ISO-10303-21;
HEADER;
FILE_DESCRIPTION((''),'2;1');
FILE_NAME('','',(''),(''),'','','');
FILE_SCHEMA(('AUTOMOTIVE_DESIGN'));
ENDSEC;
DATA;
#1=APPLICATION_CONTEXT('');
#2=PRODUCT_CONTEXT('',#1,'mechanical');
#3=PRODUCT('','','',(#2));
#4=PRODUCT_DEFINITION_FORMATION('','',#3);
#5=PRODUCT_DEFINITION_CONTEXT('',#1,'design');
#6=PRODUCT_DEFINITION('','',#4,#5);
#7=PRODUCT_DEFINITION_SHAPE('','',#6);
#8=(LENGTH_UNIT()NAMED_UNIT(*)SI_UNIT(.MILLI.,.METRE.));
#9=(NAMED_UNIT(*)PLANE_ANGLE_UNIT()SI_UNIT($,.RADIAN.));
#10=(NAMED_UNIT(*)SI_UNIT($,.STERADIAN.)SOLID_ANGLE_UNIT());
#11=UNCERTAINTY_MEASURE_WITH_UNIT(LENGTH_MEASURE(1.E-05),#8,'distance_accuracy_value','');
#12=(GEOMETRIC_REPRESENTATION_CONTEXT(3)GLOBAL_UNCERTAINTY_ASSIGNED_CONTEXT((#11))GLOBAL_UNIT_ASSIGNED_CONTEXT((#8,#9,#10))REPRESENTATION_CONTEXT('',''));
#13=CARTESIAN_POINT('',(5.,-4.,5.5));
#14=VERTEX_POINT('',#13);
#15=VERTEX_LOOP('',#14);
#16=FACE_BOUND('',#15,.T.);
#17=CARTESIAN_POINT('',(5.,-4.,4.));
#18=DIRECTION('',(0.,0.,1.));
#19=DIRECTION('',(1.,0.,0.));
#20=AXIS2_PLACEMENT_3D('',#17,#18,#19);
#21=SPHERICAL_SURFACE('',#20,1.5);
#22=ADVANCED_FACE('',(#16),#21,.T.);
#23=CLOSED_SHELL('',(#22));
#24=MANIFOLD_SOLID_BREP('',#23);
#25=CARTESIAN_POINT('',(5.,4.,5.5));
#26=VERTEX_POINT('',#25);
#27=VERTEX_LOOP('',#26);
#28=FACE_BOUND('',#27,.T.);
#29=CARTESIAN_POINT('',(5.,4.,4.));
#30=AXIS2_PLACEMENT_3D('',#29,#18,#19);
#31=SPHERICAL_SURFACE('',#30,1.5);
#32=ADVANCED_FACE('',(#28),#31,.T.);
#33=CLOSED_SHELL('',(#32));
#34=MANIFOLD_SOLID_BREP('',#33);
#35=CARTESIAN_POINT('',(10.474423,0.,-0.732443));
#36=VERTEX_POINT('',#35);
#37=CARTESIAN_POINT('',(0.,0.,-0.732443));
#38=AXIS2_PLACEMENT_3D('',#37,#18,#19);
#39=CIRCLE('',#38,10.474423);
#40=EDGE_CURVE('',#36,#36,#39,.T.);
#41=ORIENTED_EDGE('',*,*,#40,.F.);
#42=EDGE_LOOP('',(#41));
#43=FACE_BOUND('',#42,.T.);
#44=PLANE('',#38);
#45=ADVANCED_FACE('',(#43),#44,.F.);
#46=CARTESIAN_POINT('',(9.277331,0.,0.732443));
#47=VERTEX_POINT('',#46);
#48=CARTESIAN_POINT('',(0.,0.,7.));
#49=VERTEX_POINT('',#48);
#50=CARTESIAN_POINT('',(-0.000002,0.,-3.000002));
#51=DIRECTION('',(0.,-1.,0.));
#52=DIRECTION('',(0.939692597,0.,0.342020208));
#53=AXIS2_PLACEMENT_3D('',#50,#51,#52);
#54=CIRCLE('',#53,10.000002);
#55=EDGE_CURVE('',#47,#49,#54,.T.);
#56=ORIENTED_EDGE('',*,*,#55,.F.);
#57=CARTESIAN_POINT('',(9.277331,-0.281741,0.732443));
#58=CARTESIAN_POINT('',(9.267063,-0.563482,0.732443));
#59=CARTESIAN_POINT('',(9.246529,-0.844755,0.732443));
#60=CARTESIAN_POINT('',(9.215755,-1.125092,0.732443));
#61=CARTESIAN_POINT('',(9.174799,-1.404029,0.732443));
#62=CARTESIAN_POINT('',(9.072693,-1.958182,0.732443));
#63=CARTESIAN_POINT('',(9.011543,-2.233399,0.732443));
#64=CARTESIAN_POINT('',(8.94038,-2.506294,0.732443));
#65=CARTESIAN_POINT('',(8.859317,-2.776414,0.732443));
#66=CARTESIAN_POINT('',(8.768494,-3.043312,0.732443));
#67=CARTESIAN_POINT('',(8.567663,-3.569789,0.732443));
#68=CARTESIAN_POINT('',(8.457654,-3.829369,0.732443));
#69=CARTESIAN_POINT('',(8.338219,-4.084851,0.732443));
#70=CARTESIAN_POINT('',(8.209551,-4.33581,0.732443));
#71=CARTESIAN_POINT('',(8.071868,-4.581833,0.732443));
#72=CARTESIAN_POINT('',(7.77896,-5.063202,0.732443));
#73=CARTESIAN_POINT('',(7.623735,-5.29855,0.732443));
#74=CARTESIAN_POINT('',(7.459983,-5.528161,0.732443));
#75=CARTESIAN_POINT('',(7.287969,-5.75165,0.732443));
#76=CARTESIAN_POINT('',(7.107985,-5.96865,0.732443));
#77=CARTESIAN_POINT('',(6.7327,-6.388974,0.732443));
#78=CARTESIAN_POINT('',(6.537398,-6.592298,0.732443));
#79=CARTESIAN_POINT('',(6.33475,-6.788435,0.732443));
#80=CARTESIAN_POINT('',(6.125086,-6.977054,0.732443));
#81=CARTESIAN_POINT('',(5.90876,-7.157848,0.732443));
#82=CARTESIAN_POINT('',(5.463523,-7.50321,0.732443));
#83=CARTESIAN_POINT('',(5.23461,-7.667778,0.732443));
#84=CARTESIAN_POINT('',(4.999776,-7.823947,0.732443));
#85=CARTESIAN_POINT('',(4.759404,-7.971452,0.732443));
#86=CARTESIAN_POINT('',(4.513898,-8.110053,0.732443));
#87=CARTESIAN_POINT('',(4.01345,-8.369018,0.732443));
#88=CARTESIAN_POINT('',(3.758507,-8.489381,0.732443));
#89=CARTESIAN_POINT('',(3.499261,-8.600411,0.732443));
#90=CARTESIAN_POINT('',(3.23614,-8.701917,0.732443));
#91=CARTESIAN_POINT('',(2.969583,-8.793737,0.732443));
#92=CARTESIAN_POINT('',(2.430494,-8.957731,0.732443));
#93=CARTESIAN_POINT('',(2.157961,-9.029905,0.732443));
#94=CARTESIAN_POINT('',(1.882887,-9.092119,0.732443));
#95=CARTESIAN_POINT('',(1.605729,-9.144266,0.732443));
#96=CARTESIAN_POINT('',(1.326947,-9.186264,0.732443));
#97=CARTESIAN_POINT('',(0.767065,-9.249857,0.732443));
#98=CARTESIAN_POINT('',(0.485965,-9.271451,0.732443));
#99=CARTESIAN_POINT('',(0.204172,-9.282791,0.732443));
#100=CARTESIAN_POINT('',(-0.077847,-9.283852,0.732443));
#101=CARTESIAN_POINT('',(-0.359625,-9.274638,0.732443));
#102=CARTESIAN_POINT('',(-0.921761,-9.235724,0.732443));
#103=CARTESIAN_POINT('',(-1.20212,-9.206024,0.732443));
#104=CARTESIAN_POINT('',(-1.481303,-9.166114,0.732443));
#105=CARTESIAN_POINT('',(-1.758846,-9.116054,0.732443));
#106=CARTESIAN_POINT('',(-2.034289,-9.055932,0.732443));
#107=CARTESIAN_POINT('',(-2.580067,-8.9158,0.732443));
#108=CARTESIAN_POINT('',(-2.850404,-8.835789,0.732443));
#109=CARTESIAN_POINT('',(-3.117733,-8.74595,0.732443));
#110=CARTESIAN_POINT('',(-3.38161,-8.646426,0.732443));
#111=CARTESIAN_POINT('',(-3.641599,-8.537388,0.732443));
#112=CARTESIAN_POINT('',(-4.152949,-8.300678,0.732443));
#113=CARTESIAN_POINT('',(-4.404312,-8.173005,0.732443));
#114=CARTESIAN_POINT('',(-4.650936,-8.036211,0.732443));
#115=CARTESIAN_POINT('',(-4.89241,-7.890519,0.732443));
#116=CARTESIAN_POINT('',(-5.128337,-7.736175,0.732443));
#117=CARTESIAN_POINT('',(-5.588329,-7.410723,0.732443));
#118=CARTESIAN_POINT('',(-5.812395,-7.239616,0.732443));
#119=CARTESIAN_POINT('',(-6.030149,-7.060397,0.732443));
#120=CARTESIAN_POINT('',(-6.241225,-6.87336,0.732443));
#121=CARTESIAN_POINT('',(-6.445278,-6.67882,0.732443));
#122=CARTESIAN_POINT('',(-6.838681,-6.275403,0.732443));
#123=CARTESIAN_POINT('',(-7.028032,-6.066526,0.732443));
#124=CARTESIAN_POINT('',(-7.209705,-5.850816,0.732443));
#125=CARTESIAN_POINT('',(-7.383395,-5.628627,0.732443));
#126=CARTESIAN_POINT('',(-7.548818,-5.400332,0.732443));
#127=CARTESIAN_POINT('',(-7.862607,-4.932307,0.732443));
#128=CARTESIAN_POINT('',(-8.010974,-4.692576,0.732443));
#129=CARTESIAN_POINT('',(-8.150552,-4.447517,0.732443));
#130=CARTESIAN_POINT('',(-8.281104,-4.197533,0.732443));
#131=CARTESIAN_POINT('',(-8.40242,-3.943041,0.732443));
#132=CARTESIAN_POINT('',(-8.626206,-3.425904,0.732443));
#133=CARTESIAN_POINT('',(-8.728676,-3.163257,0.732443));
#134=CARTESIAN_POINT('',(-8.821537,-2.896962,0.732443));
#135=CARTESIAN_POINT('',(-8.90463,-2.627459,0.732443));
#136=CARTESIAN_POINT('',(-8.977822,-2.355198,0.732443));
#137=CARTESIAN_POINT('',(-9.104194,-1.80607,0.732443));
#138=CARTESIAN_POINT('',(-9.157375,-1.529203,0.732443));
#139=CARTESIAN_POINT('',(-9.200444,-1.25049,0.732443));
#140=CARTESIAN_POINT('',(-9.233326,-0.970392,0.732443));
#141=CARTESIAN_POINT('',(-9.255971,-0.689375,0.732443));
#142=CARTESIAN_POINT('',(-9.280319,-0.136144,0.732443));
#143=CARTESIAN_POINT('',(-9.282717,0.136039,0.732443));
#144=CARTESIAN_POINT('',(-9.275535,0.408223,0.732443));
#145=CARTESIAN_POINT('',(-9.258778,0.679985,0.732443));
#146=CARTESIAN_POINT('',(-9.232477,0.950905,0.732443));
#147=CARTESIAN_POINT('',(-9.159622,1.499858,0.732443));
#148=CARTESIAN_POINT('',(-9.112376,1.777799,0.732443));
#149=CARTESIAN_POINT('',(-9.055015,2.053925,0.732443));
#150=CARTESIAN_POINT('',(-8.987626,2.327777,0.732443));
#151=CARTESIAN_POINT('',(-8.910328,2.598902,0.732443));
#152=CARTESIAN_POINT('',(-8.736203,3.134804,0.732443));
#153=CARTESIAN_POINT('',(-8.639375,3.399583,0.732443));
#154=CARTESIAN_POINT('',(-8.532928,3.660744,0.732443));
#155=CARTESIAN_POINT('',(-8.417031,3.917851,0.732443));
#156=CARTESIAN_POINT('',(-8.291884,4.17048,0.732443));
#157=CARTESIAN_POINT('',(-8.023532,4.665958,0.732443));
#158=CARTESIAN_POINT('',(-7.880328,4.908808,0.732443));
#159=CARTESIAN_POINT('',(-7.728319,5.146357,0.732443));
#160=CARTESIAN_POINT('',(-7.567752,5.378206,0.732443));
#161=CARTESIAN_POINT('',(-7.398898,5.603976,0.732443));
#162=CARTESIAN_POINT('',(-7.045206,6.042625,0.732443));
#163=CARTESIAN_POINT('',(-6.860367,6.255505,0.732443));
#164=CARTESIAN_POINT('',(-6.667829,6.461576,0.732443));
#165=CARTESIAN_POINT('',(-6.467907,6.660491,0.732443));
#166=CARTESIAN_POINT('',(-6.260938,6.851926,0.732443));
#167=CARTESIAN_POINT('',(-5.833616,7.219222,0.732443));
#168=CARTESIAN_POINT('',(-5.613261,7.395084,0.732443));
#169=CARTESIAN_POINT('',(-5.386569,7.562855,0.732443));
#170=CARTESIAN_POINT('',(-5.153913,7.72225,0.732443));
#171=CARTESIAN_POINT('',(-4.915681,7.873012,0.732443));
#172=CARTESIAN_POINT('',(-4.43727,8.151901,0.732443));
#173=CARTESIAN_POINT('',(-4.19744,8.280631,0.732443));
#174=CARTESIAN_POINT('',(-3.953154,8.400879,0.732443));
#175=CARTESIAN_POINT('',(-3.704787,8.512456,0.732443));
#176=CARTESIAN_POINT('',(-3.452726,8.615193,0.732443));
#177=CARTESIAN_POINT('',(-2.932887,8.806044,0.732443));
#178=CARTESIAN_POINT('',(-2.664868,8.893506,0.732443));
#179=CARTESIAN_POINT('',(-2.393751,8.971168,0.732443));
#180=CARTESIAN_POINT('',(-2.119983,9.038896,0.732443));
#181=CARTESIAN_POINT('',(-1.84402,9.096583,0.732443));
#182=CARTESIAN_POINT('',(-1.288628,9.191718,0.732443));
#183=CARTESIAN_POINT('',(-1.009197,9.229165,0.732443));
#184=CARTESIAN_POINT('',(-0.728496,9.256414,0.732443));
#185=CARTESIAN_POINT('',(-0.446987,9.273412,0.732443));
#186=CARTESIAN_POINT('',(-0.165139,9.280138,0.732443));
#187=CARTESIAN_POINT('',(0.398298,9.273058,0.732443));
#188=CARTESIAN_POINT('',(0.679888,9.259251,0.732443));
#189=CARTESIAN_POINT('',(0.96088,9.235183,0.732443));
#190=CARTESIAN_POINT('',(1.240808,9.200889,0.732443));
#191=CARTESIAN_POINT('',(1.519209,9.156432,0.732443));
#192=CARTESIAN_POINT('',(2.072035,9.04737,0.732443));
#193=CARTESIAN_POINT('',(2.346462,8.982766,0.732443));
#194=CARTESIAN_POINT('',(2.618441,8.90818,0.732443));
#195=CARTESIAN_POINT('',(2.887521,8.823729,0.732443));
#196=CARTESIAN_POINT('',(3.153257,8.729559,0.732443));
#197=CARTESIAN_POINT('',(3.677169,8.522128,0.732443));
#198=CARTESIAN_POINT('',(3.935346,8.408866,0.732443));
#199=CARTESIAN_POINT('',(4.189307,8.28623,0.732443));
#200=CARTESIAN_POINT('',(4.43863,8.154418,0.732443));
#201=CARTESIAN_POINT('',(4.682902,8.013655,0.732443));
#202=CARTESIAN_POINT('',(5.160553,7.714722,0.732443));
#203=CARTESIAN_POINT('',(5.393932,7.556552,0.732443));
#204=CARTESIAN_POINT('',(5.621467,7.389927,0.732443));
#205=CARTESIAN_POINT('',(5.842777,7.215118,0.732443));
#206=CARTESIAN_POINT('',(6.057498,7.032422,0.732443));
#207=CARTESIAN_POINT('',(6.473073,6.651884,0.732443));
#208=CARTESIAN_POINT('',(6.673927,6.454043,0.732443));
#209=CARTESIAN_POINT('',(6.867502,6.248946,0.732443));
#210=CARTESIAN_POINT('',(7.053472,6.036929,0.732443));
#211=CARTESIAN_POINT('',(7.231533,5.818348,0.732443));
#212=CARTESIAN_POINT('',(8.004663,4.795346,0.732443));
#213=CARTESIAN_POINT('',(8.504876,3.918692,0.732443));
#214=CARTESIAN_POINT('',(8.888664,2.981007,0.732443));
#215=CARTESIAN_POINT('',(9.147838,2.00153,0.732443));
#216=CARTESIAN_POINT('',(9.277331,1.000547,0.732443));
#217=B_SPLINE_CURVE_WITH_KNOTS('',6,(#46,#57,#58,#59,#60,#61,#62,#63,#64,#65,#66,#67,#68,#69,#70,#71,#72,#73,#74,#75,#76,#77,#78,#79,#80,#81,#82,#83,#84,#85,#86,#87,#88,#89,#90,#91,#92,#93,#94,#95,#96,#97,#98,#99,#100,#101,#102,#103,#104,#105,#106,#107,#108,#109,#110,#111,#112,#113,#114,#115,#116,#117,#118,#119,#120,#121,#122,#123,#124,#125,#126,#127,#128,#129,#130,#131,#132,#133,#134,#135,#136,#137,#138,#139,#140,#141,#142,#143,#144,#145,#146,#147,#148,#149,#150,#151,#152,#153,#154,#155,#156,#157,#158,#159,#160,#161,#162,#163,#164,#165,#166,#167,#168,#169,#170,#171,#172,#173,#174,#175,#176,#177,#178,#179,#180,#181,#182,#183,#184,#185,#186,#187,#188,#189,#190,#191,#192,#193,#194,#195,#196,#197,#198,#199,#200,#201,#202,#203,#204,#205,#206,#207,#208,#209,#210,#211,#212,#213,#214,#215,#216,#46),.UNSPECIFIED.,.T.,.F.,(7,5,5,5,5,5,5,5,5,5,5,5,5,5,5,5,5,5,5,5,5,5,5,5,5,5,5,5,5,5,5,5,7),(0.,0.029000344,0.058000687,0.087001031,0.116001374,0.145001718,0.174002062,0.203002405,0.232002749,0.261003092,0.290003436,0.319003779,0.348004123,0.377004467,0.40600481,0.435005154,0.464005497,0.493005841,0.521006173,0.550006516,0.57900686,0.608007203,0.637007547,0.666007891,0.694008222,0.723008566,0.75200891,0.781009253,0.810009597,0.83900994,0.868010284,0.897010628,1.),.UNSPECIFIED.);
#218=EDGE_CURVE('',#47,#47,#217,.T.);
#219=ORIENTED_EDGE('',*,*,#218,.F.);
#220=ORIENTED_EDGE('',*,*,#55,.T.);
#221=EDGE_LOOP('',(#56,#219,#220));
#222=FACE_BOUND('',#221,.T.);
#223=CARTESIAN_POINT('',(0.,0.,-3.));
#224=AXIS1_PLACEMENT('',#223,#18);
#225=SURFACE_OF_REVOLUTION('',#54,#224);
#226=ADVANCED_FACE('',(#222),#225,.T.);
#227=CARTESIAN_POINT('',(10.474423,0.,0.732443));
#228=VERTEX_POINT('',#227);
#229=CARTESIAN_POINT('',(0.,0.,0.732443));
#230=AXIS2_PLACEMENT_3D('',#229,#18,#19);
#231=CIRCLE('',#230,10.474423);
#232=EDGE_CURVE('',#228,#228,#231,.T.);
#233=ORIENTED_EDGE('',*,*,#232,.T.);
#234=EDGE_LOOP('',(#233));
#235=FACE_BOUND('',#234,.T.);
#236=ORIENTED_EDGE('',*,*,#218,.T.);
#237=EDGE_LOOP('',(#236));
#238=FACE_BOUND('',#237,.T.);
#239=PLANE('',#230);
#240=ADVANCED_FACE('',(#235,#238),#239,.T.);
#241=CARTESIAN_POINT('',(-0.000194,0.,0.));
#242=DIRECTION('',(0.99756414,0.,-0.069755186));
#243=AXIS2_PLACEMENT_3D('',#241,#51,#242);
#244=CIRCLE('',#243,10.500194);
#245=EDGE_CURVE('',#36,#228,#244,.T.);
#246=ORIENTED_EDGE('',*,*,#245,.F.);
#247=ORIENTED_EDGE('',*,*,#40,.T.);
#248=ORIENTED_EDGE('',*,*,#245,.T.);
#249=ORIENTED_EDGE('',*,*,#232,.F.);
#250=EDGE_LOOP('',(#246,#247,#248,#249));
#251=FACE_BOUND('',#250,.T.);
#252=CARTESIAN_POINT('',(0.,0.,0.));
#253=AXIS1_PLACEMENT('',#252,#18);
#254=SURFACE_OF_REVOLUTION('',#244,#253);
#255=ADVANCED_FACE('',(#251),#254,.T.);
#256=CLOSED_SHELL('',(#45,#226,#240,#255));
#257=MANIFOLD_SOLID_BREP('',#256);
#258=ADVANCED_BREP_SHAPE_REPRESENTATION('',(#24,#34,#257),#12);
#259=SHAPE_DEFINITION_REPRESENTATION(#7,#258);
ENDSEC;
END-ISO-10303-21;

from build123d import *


with BuildPart() as base:
    # Sphere001 → Sphere001 (revolve)
    with BuildSketch(Plane.XZ):
        with BuildLine():
            ThreePointArc((10.474423, -0.732443), (10.5, 0), (10.474423, 0.732443))
            Line((10.474423, 0.732443), (0, 0.732443))
            Line((0, 0.732443), (0, -0.732443))
            Line((0, -0.732443), (10.474423, -0.732443))
        make_face()
    revolve(axis=Axis((0, 0, 0), (0, 0, 1)))


with BuildPart() as fusion:
    # Sphere → Sphere (revolve)
    with BuildSketch(Plane(origin=(0, 0, -3), x_dir=(1, 0, 0), z_dir=(0, -1, 0))):
        with BuildLine():
            ThreePointArc((9.396926, 3.420201), (5.735764, 8.19152), (0, 10))
            Line((0, 10), (0, 3.420201))
            Line((0, 3.420201), (9.396926, 3.420201))
        make_face()
    revolve(axis=Axis((0, 0, -3), (0, 0, 1)))

    # Fusion: union base
    add(base.part)


with BuildPart() as ull1:
    # Sphere002 → Sphere002 (revolve)
    with BuildSketch(Plane(origin=(5, 4, 4), x_dir=(1, 0, 0), z_dir=(0, -1, 0))):
        with BuildLine():
            ThreePointArc((0, -1.5), (1.5, 0), (0, 1.5))
            Line((0, 1.5), (0, -1.5))
        make_face()
    revolve(axis=Axis((5, 4, 4), (0, 0, 1)))


with BuildPart() as ull2:
    # Sphere003 → Sphere003 (revolve)
    with BuildSketch(Plane(origin=(5, -4, 4), x_dir=(1, 0, 0), z_dir=(0, -1, 0))):
        with BuildLine():
            ThreePointArc((0, -1.5), (1.5, 0), (0, 1.5))
            Line((0, 1.5), (0, -1.5))
        make_face()
    revolve(axis=Axis((5, -4, 4), (0, 0, 1)))


solid = Compound([fusion.part, ull1.part, ull2.part])
